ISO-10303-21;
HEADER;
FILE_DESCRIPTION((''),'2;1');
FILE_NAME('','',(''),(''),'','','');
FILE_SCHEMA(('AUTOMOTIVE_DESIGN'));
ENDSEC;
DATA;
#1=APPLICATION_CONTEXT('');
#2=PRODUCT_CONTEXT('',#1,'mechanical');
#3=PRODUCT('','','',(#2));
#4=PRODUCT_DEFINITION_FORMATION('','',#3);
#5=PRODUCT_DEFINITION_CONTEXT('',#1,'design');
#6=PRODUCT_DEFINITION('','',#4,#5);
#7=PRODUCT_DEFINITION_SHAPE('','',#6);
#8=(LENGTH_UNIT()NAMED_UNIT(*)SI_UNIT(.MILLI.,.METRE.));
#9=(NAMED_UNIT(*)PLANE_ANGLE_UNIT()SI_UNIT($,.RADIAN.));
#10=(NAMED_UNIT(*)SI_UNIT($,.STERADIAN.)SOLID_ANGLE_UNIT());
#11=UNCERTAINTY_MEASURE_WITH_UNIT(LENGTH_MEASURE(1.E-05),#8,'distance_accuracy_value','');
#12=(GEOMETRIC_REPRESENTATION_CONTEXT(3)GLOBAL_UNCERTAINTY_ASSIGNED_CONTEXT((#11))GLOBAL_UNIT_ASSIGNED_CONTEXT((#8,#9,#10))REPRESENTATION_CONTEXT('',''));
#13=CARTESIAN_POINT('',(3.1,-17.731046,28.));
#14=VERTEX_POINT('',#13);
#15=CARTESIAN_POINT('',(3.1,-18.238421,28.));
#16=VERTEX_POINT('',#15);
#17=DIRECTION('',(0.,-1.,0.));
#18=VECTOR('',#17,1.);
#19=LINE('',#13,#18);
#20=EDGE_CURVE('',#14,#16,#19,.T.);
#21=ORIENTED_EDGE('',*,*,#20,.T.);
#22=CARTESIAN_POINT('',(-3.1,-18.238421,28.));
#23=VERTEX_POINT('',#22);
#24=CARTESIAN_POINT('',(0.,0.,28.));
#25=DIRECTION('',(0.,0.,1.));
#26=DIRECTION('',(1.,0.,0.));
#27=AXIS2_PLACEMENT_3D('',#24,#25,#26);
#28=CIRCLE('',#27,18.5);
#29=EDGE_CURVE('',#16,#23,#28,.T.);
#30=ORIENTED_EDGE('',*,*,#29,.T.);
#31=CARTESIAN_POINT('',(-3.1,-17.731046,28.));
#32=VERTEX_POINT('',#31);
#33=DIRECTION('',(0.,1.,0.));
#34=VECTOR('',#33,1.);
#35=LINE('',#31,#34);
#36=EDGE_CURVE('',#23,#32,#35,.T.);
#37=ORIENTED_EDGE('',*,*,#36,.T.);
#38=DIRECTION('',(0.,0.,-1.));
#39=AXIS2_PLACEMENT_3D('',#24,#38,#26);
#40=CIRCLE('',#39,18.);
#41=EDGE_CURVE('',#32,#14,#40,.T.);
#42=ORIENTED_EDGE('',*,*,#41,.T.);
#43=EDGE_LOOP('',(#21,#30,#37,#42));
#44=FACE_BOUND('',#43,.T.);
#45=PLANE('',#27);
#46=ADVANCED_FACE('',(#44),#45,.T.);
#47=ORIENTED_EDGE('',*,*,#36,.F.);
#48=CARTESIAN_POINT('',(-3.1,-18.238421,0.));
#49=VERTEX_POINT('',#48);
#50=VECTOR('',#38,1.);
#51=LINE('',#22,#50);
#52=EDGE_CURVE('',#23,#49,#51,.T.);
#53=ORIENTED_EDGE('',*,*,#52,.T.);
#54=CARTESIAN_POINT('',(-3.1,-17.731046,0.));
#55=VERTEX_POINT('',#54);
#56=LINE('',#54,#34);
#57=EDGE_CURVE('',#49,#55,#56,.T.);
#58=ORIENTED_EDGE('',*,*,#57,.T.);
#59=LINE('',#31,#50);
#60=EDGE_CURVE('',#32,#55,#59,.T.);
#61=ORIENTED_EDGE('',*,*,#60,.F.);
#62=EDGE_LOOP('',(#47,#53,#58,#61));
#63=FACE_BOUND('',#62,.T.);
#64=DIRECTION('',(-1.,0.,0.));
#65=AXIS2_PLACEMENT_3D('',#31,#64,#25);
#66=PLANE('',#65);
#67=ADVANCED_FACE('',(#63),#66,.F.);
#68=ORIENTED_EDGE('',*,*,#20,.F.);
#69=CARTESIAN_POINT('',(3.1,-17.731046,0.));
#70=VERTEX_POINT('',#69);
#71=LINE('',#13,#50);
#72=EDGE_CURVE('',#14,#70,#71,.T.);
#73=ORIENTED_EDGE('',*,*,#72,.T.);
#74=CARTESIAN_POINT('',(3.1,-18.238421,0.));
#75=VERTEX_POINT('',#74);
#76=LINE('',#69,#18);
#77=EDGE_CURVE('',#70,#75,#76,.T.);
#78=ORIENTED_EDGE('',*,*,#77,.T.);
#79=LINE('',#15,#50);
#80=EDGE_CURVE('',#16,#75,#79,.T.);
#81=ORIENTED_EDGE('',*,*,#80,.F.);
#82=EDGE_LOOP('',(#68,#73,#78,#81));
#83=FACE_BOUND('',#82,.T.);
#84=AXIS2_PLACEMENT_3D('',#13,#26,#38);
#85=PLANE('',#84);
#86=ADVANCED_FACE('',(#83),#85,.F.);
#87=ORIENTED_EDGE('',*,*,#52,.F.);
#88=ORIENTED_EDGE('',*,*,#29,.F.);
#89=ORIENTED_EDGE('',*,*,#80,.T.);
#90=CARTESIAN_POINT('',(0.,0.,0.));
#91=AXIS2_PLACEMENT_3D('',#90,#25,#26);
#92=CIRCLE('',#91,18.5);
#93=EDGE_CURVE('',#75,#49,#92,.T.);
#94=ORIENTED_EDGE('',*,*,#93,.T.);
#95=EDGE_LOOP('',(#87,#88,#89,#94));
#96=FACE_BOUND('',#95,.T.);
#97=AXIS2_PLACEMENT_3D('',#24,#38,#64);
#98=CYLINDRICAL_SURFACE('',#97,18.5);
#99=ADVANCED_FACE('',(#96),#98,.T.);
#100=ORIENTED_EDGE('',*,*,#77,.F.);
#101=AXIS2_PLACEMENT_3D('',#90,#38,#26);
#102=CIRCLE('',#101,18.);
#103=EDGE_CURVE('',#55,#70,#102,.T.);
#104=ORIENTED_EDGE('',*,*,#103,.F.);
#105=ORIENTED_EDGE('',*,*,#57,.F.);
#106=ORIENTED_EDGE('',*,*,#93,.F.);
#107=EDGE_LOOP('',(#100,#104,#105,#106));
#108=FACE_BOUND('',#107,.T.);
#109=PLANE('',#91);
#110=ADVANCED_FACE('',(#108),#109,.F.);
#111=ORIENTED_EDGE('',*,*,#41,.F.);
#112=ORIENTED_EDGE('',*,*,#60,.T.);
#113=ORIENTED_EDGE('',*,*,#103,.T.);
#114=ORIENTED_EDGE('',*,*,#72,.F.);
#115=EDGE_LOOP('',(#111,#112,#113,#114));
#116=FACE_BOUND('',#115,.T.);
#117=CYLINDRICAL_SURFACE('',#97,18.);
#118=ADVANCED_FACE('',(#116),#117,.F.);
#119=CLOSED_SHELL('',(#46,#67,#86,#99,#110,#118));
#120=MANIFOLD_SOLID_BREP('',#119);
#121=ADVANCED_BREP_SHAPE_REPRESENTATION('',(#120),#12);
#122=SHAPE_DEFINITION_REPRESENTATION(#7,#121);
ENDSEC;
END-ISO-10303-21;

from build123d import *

# Parameters (mm, degrees)
SALIENTE_EXTRUIR1_DEPTH = 28


with BuildPart() as part:
    # Croquis1 → Saliente-Extruir1 (new body)
    with BuildSketch(Plane.XY):
        with BuildLine():
            Line((-3.1, -17.731046218), (-3.1, -18.238420984))
            ThreePointArc((-3.1, -18.238420984), (0, 18.5), (3.1, -18.238420984))
            Line((3.1, -18.238420984), (3.1, -17.731046218))
            ThreePointArc((3.1, -17.731046218), (0, 18), (-3.1, -17.731046218))
        make_face()
    extrude(amount=SALIENTE_EXTRUIR1_DEPTH)


solid = part.part
